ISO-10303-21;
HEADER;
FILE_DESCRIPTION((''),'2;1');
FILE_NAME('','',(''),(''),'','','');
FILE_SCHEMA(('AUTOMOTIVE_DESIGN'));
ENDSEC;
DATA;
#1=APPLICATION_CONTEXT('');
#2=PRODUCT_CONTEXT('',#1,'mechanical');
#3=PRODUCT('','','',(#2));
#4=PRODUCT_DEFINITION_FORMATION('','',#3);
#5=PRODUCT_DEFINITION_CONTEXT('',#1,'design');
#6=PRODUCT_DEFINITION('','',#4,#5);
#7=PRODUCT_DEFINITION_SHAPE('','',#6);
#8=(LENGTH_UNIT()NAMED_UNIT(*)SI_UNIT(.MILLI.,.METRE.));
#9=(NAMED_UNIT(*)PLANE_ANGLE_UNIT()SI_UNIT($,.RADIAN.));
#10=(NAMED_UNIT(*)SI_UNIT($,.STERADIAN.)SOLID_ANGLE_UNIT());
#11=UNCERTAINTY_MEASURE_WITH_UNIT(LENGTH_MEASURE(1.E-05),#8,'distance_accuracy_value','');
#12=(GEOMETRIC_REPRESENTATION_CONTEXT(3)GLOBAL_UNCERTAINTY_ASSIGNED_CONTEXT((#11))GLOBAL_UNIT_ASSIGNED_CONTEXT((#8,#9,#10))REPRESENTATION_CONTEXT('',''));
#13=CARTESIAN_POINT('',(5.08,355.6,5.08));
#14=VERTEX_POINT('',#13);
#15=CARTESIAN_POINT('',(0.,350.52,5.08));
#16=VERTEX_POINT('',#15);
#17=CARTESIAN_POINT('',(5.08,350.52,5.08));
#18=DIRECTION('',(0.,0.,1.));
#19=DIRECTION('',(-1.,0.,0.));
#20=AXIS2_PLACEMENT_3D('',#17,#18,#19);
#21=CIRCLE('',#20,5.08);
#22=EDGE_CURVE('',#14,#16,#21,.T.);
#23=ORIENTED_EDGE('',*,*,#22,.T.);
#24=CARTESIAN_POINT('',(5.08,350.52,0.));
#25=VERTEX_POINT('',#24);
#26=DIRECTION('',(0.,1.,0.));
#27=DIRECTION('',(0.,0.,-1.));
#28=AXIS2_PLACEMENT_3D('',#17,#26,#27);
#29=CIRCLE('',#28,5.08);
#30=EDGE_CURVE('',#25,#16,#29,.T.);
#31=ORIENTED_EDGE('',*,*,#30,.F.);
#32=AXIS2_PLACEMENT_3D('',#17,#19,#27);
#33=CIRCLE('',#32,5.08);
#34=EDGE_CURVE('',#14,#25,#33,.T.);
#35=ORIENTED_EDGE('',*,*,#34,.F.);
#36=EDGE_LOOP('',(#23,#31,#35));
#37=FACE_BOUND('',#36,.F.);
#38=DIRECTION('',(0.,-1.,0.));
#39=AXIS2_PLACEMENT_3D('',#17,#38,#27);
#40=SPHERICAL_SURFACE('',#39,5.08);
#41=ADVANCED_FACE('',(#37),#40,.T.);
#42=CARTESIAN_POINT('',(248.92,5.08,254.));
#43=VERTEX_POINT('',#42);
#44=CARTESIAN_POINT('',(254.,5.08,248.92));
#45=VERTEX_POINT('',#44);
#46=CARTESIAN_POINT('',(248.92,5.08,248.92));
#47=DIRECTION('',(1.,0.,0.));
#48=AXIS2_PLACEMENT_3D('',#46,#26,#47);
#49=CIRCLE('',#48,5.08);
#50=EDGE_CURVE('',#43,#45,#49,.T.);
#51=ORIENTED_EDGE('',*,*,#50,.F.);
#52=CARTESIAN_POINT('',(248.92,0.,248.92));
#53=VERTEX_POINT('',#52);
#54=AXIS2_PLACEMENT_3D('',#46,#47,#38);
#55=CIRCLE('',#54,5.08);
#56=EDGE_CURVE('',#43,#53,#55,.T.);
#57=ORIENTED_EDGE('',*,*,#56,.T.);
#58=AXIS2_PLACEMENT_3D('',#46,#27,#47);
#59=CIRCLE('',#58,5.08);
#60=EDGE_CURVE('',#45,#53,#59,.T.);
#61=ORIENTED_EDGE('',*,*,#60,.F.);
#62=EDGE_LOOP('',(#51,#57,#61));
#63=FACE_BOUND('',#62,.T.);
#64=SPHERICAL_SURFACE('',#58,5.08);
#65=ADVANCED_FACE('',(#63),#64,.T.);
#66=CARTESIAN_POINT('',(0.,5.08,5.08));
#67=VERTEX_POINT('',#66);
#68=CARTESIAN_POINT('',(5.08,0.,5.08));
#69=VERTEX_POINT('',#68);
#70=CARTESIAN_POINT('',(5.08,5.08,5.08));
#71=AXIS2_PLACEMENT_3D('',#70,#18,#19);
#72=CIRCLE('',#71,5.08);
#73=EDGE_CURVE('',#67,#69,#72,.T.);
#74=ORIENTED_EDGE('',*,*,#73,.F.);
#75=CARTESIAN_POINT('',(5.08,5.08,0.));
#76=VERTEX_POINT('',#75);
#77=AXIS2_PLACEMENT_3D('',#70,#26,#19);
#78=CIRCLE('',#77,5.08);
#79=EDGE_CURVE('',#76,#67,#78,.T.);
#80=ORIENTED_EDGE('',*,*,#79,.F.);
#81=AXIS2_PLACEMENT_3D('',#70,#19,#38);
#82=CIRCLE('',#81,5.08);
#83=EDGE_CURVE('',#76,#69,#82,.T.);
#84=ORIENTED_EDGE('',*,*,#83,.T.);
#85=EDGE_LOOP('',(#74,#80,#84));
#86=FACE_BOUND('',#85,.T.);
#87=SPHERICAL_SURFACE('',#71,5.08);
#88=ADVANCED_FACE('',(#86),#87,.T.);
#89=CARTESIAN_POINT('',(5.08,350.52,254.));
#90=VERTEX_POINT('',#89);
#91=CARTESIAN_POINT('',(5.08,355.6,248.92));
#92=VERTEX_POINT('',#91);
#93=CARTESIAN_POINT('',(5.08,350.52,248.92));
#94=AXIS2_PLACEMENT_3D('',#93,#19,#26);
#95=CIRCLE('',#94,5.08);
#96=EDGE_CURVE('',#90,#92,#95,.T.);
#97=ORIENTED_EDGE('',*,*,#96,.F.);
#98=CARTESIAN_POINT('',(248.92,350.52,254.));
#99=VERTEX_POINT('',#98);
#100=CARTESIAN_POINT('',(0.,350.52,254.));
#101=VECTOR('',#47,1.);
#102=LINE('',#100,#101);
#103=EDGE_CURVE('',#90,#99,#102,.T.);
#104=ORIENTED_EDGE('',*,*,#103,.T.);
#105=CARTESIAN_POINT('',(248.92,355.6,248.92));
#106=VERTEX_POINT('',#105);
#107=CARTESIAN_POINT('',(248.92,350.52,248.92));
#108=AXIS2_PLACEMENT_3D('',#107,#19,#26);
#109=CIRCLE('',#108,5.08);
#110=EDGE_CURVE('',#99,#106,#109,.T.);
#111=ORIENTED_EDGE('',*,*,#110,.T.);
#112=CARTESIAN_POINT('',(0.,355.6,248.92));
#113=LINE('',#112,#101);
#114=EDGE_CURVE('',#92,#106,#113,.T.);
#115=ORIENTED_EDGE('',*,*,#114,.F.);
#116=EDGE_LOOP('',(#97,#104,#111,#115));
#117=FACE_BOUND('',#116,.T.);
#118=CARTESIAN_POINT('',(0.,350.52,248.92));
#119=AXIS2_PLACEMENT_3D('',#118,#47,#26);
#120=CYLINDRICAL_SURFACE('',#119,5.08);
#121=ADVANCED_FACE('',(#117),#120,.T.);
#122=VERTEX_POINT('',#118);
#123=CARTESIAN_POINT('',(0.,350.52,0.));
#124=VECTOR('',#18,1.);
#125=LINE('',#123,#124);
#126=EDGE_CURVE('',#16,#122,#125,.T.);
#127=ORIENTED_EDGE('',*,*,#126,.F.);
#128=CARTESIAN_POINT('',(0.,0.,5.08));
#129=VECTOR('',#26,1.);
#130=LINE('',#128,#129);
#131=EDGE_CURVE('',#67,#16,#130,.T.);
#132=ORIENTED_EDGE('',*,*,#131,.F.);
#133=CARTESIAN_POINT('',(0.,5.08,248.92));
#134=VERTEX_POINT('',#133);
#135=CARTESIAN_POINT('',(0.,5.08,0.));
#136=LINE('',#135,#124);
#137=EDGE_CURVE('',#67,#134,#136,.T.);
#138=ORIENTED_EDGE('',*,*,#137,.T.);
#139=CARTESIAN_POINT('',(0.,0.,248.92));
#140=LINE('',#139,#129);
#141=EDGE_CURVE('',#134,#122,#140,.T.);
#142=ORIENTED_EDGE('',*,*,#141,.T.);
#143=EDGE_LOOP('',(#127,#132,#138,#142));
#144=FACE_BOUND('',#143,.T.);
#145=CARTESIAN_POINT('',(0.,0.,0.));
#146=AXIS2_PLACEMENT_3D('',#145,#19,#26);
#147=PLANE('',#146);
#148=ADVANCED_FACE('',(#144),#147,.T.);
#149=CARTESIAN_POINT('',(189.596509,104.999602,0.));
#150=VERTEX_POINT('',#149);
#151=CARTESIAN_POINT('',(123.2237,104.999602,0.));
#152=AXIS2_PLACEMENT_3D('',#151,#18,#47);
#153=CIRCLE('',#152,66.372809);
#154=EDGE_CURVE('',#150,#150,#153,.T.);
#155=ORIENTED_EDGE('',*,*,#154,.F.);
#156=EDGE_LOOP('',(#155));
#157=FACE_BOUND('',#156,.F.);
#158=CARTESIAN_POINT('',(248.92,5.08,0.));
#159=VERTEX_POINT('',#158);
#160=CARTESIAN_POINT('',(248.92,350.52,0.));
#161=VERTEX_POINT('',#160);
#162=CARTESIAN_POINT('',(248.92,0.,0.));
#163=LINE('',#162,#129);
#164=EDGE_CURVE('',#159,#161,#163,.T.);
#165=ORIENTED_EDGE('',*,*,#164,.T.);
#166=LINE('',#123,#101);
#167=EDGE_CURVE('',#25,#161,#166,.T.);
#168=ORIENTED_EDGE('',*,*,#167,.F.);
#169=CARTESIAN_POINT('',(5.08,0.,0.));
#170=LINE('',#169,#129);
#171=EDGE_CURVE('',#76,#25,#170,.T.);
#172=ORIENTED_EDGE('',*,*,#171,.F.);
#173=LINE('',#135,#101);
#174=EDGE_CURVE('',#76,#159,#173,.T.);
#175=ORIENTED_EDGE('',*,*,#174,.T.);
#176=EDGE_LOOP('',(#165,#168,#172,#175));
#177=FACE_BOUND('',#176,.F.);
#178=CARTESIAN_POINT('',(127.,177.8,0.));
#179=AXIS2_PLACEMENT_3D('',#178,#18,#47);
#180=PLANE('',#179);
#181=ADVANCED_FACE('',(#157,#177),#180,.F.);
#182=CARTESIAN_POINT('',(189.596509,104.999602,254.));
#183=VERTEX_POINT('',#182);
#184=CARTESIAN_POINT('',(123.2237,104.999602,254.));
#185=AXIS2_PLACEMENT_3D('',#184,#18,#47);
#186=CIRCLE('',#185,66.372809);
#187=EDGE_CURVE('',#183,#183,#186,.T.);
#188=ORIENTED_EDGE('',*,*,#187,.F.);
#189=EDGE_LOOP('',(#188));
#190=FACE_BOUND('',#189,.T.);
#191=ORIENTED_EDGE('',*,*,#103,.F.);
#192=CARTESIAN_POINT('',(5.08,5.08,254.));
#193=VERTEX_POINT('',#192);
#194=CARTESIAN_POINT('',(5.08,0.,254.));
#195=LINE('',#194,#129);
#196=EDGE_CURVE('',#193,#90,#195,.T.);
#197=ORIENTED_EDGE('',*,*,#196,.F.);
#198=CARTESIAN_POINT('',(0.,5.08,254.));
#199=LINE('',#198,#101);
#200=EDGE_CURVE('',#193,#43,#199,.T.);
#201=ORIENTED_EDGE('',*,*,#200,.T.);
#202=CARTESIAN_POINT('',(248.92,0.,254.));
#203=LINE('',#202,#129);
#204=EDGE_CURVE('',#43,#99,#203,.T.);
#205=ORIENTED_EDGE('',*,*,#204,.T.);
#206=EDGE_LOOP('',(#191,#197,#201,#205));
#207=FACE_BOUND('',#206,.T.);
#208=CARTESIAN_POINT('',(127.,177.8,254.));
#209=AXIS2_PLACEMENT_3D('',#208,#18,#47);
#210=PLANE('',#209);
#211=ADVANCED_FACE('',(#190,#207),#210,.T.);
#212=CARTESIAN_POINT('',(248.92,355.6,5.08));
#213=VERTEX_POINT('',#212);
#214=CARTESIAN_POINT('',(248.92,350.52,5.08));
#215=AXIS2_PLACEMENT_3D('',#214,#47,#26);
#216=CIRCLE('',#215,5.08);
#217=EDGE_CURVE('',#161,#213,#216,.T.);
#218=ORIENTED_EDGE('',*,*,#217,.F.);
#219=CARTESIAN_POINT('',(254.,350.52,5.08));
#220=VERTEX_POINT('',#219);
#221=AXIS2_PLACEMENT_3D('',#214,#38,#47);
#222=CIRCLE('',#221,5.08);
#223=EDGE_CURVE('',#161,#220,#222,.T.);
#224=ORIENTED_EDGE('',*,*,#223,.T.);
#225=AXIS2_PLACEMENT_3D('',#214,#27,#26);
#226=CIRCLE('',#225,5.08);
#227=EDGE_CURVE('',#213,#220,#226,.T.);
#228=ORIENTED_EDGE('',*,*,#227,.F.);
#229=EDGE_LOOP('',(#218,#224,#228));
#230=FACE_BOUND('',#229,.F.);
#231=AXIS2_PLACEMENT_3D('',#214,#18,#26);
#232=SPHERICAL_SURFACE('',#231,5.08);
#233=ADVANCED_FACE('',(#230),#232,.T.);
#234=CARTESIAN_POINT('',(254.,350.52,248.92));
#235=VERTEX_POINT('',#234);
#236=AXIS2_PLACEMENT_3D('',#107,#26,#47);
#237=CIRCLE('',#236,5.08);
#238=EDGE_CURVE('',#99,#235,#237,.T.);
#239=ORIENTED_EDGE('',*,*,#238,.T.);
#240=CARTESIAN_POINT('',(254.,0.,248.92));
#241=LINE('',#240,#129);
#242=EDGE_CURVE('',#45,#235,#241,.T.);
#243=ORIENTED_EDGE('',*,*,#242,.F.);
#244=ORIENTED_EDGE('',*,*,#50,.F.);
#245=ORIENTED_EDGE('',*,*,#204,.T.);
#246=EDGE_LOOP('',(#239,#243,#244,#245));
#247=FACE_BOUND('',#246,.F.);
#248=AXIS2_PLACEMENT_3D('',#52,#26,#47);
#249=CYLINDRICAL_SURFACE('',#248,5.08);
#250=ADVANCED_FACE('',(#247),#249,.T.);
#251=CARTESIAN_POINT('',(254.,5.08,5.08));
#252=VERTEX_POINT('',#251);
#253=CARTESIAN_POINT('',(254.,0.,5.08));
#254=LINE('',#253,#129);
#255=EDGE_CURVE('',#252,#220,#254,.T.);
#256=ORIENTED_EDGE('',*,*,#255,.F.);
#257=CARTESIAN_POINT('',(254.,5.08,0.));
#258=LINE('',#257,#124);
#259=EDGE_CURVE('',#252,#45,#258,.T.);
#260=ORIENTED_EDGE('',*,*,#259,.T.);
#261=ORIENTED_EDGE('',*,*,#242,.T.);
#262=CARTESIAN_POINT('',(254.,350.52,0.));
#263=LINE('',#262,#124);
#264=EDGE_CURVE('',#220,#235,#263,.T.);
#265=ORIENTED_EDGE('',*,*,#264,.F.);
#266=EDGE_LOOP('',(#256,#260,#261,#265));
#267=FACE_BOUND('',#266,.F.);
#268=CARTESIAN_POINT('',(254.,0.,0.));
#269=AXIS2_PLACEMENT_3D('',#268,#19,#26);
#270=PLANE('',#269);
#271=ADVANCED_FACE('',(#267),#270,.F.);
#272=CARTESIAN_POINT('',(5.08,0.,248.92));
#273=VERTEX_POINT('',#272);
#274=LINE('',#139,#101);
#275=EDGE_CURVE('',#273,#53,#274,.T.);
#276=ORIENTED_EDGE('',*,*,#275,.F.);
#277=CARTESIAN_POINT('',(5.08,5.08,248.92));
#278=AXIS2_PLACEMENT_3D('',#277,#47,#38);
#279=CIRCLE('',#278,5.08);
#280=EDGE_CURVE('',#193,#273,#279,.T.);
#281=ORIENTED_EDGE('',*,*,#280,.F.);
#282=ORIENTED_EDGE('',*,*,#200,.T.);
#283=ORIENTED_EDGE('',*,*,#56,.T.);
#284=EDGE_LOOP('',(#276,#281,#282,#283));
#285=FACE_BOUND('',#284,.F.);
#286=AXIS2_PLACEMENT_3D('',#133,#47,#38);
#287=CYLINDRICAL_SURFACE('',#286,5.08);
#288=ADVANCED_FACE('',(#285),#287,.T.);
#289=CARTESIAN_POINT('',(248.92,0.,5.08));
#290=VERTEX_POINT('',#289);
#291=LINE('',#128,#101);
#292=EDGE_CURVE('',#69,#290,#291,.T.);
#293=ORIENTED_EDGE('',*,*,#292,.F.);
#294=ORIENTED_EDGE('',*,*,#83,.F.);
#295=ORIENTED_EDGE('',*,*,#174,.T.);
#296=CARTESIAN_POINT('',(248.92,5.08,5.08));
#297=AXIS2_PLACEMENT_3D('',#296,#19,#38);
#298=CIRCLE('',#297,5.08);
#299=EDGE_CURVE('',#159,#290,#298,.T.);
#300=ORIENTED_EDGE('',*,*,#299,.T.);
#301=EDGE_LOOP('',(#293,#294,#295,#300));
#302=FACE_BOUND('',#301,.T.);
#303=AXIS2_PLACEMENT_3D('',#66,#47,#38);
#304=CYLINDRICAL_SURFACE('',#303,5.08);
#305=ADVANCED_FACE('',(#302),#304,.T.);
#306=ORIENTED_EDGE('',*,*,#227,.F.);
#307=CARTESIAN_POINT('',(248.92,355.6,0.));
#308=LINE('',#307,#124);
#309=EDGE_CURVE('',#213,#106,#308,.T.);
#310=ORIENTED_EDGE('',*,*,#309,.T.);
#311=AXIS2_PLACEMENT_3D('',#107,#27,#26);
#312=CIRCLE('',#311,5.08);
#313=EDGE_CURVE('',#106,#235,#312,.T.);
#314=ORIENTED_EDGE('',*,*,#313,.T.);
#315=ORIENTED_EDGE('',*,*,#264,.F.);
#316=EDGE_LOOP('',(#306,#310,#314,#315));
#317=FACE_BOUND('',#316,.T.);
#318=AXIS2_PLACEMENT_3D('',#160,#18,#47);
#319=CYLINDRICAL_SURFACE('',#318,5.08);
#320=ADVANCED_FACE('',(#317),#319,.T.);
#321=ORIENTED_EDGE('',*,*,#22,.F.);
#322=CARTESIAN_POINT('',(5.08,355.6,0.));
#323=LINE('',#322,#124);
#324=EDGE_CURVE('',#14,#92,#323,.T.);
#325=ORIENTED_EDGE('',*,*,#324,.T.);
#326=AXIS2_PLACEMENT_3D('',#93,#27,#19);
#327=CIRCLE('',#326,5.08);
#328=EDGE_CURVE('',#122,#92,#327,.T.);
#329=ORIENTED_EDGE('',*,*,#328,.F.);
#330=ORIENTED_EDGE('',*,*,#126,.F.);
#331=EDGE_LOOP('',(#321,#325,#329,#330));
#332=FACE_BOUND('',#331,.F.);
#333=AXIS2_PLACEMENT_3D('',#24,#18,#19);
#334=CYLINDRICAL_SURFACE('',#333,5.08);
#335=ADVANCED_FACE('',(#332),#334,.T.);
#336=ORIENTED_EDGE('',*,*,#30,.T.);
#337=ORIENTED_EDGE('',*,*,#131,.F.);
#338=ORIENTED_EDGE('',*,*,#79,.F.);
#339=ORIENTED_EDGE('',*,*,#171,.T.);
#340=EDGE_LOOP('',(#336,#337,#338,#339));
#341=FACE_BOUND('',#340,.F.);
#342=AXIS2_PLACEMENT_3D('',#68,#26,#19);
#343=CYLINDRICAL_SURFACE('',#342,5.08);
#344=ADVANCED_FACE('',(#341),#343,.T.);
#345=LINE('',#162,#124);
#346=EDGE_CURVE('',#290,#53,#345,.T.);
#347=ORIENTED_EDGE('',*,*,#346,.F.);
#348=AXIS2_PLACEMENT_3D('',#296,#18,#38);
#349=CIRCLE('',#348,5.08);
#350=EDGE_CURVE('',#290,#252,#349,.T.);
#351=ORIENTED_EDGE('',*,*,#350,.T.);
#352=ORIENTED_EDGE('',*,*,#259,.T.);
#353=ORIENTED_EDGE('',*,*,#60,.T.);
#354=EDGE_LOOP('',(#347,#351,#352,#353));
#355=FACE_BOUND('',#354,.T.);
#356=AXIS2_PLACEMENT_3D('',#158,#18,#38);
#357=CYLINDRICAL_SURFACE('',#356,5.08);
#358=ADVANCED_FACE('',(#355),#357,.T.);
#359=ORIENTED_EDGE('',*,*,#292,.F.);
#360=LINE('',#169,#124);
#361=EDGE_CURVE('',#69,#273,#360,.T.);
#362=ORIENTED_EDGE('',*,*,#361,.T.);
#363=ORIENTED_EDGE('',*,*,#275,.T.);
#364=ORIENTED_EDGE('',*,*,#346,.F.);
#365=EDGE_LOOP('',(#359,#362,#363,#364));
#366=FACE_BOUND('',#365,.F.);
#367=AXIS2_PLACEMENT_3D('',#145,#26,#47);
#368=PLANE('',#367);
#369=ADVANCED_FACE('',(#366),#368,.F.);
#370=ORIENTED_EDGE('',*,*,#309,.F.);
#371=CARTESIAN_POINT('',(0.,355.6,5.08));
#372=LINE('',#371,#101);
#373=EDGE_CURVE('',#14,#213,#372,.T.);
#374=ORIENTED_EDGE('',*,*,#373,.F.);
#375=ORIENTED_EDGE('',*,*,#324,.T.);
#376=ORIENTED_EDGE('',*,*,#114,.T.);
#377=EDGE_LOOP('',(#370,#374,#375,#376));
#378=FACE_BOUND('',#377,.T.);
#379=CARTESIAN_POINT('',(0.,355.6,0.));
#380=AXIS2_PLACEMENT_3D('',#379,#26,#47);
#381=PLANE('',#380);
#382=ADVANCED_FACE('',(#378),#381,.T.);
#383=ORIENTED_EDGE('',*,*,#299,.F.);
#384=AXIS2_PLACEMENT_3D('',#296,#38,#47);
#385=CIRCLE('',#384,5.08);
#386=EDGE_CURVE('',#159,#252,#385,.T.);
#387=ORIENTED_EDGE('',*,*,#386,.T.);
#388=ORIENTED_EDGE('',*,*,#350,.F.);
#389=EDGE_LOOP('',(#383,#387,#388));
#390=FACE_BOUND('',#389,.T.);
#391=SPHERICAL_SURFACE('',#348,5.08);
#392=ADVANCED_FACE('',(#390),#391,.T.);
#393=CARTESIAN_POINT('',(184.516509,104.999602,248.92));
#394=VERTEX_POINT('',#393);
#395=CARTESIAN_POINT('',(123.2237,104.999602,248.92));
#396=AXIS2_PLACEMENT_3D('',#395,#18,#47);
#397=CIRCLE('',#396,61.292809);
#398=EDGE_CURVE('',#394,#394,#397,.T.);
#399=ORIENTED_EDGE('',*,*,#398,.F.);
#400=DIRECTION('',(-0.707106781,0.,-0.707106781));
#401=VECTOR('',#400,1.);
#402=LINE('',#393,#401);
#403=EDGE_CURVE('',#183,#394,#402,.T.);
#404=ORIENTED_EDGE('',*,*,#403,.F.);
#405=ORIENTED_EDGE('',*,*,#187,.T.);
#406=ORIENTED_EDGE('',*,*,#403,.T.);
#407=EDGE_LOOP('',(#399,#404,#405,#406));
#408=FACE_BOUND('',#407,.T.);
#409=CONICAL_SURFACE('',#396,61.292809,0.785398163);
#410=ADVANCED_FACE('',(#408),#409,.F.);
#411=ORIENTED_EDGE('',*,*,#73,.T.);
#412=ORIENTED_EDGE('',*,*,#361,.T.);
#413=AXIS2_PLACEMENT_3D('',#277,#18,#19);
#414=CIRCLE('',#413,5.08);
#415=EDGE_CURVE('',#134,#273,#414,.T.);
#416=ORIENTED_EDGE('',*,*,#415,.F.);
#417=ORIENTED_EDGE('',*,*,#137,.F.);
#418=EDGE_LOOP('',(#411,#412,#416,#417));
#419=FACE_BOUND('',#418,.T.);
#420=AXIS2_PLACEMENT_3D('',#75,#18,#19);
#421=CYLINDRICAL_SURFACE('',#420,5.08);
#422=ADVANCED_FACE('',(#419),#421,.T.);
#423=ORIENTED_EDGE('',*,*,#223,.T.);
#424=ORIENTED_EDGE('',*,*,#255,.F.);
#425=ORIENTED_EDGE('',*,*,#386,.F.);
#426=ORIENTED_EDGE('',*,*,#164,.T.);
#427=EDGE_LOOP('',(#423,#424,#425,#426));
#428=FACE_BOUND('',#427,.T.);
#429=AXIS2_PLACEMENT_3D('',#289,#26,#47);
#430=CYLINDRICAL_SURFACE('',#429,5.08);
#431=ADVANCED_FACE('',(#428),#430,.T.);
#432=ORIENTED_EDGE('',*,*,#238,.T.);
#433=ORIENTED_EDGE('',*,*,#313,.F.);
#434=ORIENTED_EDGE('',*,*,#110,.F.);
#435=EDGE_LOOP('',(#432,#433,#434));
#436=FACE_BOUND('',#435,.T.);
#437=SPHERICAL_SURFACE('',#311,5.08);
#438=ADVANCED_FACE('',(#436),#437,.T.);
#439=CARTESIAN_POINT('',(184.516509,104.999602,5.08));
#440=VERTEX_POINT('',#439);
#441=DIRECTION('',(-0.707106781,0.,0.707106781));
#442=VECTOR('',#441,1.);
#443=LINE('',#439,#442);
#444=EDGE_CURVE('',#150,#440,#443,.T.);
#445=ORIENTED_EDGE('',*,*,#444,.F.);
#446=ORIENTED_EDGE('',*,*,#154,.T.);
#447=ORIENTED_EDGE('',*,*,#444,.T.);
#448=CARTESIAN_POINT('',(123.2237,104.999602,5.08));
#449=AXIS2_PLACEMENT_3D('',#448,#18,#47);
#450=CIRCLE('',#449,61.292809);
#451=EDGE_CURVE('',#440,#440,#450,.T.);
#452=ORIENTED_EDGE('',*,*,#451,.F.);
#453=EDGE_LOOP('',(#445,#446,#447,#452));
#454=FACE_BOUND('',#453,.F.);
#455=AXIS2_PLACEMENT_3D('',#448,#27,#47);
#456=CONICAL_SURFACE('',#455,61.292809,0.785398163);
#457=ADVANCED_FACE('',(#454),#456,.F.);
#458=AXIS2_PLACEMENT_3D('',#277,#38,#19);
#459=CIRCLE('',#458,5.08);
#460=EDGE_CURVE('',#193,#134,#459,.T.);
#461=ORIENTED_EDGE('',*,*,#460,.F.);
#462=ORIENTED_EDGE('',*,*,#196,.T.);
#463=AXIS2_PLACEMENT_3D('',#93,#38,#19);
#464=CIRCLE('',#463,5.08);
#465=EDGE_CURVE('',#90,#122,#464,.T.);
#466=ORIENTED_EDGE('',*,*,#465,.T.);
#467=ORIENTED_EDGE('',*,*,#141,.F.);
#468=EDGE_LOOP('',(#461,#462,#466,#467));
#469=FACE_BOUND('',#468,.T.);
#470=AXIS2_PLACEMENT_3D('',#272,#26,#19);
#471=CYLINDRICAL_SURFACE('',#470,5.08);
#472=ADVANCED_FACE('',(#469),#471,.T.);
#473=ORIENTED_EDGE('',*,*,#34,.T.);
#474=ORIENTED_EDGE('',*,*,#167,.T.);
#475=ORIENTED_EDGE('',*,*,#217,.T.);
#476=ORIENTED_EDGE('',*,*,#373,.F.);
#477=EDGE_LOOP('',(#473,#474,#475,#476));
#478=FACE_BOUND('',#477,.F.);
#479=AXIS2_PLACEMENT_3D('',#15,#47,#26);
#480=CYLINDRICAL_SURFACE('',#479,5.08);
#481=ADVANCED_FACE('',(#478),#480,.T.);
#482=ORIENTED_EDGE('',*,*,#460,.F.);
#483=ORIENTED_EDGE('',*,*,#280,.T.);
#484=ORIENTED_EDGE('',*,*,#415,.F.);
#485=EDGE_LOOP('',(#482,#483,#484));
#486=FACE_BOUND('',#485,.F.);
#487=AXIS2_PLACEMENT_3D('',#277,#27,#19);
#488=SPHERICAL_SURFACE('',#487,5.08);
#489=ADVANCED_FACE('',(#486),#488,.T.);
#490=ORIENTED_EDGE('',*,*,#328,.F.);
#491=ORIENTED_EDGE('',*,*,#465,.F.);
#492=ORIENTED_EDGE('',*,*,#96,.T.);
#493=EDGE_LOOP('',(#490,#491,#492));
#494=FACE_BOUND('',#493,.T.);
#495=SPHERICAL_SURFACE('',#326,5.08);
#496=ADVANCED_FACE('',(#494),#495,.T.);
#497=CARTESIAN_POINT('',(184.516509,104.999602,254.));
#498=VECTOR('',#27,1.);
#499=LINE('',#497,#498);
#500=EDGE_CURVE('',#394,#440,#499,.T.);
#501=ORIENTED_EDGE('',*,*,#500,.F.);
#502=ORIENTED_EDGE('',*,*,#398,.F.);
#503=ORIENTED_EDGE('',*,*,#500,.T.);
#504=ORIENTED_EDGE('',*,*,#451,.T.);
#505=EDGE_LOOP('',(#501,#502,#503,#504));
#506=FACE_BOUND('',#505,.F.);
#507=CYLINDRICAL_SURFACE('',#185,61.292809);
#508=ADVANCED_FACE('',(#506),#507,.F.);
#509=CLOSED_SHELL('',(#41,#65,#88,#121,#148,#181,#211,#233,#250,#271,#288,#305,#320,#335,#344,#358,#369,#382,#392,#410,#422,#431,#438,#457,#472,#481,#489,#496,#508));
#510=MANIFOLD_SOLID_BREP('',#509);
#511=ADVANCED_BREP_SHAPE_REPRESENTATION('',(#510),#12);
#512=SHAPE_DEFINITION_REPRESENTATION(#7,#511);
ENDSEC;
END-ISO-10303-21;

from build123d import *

# Parameters (mm, degrees)
F0_W     = 254
F0_H     = 355.6
F1_DEPTH = 254
F2_R     = 5.08
F3_R     = 61.292809
F4_DEPTH = 254.001
F5_SIZE  = 5.08


with BuildPart() as f1:
    # F0 (on Top) → F1 (new body)
    with BuildSketch(Plane.XY):
        with Locations((127, 177.8)):
            Rectangle(F0_W, F0_H)
    extrude(amount=F1_DEPTH)

    # F2
    f2_edges = [f1.edges().sort_by_distance(p)[0] for p in [
        (254, 0, 127),
        (254, 355.6, 127),
        (0, 0, 127),
        (0, 177.8, 0),
        (127, 355.6, 0),
        (127, 0, 0),
        (254, 177.8, 0),
        (0, 355.6, 127),
        (0, 177.8, 254),
        (127, 355.6, 254),
        (254, 177.8, 254),
        (127, 0, 254),
    ]]
    fillet(f2_edges, radius=F2_R)

    # F3 (on face) → F4 (cut, through all)
    with BuildSketch(Plane.XY.offset(254)):
        with Locations((123.2237, 104.999602)):
            Circle(F3_R)
    extrude(amount=-F4_DEPTH, mode=Mode.SUBTRACT)

    # F5
    f5_edges = [f1.edges().sort_by_distance(p)[0] for p in [
        (61.930891, 104.999602, 254),
        (61.930891, 104.999602, 0),
    ]]
    chamfer(f5_edges, length=F5_SIZE)


solid = f1.part
